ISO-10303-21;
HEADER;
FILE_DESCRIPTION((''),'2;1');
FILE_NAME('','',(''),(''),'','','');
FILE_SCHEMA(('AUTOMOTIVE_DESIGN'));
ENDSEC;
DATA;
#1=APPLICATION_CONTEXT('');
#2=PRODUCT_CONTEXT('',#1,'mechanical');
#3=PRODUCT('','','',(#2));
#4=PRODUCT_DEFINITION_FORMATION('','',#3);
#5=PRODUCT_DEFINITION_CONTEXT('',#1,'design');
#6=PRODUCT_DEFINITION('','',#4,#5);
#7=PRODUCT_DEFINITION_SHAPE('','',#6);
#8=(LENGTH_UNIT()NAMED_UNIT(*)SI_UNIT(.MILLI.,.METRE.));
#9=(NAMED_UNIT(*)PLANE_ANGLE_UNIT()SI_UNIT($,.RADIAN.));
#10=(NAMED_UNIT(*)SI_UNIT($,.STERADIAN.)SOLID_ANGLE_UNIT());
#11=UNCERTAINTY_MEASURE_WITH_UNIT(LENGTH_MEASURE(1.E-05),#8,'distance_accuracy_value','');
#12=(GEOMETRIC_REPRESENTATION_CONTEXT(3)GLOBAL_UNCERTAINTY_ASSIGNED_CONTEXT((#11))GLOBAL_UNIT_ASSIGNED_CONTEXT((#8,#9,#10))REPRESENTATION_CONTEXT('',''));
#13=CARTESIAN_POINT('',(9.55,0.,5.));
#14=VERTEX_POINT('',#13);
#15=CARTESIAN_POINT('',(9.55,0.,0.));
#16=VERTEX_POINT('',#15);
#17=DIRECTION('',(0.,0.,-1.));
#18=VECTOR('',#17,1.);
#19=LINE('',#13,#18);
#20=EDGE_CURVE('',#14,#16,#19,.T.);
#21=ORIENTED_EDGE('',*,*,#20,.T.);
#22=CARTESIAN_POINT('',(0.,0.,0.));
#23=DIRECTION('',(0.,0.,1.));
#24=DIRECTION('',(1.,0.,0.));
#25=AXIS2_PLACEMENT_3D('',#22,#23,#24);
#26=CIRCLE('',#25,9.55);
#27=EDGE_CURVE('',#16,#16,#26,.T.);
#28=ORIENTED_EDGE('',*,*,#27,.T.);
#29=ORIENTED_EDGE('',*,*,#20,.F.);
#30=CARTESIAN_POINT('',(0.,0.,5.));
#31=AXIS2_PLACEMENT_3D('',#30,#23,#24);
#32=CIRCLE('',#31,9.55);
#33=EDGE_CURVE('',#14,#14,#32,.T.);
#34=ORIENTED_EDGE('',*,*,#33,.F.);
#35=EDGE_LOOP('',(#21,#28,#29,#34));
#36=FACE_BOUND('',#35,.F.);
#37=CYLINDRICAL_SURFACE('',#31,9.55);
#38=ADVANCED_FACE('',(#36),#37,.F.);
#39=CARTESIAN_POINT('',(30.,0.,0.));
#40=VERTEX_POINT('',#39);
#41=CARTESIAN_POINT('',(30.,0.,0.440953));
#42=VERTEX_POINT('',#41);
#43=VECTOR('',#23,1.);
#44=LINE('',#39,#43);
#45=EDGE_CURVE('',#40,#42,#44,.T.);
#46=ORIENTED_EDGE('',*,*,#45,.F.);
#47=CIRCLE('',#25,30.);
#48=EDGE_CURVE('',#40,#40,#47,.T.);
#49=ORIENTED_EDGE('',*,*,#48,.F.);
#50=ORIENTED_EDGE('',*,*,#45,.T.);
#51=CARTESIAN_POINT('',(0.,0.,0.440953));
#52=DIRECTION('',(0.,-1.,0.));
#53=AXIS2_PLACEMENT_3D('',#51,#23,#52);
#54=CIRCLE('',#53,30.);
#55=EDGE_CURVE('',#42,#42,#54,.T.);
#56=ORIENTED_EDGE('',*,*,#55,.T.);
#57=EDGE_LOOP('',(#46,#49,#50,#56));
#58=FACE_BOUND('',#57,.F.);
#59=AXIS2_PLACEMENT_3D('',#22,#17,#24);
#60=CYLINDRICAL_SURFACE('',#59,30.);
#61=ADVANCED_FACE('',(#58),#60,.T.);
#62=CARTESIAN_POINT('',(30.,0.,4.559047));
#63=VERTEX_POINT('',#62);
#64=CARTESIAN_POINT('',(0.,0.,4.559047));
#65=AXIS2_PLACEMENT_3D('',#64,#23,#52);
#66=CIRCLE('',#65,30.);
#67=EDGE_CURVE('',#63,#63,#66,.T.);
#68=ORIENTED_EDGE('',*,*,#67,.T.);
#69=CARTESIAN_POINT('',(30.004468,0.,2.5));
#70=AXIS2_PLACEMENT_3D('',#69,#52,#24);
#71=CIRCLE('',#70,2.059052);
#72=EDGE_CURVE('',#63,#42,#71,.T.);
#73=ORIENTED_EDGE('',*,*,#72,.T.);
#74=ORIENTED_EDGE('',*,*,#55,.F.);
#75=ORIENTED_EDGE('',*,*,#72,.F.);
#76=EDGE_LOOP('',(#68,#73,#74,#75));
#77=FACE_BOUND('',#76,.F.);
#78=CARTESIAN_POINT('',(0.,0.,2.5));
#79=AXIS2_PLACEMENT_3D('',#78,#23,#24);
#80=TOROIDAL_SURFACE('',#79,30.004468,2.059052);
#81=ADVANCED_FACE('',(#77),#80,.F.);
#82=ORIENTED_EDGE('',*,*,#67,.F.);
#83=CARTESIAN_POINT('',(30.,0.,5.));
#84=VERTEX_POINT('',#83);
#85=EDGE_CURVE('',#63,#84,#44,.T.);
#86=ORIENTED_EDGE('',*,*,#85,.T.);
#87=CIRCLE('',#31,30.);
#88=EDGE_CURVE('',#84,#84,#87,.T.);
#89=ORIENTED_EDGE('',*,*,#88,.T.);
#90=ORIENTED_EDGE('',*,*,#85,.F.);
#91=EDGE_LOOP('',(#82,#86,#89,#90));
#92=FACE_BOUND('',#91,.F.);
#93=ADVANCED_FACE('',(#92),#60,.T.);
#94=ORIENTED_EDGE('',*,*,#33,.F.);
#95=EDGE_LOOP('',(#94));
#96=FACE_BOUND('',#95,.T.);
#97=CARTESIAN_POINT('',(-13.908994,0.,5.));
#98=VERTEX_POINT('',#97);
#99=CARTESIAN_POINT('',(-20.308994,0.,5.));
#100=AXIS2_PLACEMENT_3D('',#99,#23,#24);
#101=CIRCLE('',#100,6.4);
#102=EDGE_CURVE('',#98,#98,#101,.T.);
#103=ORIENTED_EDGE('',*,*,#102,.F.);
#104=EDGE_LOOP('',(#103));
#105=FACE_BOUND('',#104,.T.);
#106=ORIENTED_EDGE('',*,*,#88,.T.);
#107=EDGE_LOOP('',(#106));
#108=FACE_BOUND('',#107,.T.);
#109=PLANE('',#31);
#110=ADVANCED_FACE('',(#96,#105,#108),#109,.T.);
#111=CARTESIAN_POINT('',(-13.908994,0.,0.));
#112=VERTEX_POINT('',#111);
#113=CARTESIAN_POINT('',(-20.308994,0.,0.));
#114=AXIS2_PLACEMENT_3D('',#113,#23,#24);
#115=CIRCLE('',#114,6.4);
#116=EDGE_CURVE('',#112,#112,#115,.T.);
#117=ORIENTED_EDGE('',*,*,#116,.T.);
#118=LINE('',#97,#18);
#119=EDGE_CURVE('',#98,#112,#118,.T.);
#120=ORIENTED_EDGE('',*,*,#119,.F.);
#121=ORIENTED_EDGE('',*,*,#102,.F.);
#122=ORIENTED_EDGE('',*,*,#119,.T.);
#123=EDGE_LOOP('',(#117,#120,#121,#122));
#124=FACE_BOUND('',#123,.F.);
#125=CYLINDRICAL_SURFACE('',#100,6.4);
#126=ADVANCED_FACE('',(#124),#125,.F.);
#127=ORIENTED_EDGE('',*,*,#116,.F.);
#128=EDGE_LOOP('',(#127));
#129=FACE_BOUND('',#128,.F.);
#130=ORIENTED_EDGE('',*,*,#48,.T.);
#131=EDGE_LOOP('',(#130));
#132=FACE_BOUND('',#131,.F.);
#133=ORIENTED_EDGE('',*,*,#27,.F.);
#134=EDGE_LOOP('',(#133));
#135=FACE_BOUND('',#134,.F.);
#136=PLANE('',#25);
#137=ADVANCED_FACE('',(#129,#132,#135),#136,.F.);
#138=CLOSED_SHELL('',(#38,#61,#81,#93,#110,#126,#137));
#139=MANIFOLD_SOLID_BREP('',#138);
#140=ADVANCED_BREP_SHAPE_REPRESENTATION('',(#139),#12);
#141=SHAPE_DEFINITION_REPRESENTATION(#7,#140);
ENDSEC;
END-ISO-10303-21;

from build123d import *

# Parameters (mm, degrees)
F0_R     = 30
F1_DEPTH = 5
F2_R     = 9.55
F3_DEPTH = 5.5
F4_R     = 2.0590521715
F6_R     = 6.4
F7_DEPTH = 5.1


with BuildPart() as f1:
    # F0 (on Top) → F1 (new body)
    with BuildSketch(Plane.XY):
        Circle(F0_R)
    extrude(amount=F1_DEPTH)

    # F2 (on face) → F3 (cut)
    with BuildSketch(Plane.XY.offset(5)):
        Circle(F2_R)
    extrude(amount=-F3_DEPTH, mode=Mode.SUBTRACT)

    # F5: sweep along a path in F0
    with BuildLine(Plane.XY) as f5_path:
        CenterArc((0, 0), 30, 0, 360)
    # F4 (on Right) → F5 (sweep, cut)
    with BuildSketch(Plane.YZ):
        with Locations((30.0044678152, 2.5)):
            Circle(F4_R)
    sweep(path=f5_path.line, mode=Mode.SUBTRACT)

    # F6 (on face) → F7 (cut)
    with BuildSketch(Plane.XY.offset(5)):
        with Locations((-20.3089937568, 0)):
            Circle(F6_R)
    extrude(amount=-F7_DEPTH, mode=Mode.SUBTRACT)


solid = f1.part
